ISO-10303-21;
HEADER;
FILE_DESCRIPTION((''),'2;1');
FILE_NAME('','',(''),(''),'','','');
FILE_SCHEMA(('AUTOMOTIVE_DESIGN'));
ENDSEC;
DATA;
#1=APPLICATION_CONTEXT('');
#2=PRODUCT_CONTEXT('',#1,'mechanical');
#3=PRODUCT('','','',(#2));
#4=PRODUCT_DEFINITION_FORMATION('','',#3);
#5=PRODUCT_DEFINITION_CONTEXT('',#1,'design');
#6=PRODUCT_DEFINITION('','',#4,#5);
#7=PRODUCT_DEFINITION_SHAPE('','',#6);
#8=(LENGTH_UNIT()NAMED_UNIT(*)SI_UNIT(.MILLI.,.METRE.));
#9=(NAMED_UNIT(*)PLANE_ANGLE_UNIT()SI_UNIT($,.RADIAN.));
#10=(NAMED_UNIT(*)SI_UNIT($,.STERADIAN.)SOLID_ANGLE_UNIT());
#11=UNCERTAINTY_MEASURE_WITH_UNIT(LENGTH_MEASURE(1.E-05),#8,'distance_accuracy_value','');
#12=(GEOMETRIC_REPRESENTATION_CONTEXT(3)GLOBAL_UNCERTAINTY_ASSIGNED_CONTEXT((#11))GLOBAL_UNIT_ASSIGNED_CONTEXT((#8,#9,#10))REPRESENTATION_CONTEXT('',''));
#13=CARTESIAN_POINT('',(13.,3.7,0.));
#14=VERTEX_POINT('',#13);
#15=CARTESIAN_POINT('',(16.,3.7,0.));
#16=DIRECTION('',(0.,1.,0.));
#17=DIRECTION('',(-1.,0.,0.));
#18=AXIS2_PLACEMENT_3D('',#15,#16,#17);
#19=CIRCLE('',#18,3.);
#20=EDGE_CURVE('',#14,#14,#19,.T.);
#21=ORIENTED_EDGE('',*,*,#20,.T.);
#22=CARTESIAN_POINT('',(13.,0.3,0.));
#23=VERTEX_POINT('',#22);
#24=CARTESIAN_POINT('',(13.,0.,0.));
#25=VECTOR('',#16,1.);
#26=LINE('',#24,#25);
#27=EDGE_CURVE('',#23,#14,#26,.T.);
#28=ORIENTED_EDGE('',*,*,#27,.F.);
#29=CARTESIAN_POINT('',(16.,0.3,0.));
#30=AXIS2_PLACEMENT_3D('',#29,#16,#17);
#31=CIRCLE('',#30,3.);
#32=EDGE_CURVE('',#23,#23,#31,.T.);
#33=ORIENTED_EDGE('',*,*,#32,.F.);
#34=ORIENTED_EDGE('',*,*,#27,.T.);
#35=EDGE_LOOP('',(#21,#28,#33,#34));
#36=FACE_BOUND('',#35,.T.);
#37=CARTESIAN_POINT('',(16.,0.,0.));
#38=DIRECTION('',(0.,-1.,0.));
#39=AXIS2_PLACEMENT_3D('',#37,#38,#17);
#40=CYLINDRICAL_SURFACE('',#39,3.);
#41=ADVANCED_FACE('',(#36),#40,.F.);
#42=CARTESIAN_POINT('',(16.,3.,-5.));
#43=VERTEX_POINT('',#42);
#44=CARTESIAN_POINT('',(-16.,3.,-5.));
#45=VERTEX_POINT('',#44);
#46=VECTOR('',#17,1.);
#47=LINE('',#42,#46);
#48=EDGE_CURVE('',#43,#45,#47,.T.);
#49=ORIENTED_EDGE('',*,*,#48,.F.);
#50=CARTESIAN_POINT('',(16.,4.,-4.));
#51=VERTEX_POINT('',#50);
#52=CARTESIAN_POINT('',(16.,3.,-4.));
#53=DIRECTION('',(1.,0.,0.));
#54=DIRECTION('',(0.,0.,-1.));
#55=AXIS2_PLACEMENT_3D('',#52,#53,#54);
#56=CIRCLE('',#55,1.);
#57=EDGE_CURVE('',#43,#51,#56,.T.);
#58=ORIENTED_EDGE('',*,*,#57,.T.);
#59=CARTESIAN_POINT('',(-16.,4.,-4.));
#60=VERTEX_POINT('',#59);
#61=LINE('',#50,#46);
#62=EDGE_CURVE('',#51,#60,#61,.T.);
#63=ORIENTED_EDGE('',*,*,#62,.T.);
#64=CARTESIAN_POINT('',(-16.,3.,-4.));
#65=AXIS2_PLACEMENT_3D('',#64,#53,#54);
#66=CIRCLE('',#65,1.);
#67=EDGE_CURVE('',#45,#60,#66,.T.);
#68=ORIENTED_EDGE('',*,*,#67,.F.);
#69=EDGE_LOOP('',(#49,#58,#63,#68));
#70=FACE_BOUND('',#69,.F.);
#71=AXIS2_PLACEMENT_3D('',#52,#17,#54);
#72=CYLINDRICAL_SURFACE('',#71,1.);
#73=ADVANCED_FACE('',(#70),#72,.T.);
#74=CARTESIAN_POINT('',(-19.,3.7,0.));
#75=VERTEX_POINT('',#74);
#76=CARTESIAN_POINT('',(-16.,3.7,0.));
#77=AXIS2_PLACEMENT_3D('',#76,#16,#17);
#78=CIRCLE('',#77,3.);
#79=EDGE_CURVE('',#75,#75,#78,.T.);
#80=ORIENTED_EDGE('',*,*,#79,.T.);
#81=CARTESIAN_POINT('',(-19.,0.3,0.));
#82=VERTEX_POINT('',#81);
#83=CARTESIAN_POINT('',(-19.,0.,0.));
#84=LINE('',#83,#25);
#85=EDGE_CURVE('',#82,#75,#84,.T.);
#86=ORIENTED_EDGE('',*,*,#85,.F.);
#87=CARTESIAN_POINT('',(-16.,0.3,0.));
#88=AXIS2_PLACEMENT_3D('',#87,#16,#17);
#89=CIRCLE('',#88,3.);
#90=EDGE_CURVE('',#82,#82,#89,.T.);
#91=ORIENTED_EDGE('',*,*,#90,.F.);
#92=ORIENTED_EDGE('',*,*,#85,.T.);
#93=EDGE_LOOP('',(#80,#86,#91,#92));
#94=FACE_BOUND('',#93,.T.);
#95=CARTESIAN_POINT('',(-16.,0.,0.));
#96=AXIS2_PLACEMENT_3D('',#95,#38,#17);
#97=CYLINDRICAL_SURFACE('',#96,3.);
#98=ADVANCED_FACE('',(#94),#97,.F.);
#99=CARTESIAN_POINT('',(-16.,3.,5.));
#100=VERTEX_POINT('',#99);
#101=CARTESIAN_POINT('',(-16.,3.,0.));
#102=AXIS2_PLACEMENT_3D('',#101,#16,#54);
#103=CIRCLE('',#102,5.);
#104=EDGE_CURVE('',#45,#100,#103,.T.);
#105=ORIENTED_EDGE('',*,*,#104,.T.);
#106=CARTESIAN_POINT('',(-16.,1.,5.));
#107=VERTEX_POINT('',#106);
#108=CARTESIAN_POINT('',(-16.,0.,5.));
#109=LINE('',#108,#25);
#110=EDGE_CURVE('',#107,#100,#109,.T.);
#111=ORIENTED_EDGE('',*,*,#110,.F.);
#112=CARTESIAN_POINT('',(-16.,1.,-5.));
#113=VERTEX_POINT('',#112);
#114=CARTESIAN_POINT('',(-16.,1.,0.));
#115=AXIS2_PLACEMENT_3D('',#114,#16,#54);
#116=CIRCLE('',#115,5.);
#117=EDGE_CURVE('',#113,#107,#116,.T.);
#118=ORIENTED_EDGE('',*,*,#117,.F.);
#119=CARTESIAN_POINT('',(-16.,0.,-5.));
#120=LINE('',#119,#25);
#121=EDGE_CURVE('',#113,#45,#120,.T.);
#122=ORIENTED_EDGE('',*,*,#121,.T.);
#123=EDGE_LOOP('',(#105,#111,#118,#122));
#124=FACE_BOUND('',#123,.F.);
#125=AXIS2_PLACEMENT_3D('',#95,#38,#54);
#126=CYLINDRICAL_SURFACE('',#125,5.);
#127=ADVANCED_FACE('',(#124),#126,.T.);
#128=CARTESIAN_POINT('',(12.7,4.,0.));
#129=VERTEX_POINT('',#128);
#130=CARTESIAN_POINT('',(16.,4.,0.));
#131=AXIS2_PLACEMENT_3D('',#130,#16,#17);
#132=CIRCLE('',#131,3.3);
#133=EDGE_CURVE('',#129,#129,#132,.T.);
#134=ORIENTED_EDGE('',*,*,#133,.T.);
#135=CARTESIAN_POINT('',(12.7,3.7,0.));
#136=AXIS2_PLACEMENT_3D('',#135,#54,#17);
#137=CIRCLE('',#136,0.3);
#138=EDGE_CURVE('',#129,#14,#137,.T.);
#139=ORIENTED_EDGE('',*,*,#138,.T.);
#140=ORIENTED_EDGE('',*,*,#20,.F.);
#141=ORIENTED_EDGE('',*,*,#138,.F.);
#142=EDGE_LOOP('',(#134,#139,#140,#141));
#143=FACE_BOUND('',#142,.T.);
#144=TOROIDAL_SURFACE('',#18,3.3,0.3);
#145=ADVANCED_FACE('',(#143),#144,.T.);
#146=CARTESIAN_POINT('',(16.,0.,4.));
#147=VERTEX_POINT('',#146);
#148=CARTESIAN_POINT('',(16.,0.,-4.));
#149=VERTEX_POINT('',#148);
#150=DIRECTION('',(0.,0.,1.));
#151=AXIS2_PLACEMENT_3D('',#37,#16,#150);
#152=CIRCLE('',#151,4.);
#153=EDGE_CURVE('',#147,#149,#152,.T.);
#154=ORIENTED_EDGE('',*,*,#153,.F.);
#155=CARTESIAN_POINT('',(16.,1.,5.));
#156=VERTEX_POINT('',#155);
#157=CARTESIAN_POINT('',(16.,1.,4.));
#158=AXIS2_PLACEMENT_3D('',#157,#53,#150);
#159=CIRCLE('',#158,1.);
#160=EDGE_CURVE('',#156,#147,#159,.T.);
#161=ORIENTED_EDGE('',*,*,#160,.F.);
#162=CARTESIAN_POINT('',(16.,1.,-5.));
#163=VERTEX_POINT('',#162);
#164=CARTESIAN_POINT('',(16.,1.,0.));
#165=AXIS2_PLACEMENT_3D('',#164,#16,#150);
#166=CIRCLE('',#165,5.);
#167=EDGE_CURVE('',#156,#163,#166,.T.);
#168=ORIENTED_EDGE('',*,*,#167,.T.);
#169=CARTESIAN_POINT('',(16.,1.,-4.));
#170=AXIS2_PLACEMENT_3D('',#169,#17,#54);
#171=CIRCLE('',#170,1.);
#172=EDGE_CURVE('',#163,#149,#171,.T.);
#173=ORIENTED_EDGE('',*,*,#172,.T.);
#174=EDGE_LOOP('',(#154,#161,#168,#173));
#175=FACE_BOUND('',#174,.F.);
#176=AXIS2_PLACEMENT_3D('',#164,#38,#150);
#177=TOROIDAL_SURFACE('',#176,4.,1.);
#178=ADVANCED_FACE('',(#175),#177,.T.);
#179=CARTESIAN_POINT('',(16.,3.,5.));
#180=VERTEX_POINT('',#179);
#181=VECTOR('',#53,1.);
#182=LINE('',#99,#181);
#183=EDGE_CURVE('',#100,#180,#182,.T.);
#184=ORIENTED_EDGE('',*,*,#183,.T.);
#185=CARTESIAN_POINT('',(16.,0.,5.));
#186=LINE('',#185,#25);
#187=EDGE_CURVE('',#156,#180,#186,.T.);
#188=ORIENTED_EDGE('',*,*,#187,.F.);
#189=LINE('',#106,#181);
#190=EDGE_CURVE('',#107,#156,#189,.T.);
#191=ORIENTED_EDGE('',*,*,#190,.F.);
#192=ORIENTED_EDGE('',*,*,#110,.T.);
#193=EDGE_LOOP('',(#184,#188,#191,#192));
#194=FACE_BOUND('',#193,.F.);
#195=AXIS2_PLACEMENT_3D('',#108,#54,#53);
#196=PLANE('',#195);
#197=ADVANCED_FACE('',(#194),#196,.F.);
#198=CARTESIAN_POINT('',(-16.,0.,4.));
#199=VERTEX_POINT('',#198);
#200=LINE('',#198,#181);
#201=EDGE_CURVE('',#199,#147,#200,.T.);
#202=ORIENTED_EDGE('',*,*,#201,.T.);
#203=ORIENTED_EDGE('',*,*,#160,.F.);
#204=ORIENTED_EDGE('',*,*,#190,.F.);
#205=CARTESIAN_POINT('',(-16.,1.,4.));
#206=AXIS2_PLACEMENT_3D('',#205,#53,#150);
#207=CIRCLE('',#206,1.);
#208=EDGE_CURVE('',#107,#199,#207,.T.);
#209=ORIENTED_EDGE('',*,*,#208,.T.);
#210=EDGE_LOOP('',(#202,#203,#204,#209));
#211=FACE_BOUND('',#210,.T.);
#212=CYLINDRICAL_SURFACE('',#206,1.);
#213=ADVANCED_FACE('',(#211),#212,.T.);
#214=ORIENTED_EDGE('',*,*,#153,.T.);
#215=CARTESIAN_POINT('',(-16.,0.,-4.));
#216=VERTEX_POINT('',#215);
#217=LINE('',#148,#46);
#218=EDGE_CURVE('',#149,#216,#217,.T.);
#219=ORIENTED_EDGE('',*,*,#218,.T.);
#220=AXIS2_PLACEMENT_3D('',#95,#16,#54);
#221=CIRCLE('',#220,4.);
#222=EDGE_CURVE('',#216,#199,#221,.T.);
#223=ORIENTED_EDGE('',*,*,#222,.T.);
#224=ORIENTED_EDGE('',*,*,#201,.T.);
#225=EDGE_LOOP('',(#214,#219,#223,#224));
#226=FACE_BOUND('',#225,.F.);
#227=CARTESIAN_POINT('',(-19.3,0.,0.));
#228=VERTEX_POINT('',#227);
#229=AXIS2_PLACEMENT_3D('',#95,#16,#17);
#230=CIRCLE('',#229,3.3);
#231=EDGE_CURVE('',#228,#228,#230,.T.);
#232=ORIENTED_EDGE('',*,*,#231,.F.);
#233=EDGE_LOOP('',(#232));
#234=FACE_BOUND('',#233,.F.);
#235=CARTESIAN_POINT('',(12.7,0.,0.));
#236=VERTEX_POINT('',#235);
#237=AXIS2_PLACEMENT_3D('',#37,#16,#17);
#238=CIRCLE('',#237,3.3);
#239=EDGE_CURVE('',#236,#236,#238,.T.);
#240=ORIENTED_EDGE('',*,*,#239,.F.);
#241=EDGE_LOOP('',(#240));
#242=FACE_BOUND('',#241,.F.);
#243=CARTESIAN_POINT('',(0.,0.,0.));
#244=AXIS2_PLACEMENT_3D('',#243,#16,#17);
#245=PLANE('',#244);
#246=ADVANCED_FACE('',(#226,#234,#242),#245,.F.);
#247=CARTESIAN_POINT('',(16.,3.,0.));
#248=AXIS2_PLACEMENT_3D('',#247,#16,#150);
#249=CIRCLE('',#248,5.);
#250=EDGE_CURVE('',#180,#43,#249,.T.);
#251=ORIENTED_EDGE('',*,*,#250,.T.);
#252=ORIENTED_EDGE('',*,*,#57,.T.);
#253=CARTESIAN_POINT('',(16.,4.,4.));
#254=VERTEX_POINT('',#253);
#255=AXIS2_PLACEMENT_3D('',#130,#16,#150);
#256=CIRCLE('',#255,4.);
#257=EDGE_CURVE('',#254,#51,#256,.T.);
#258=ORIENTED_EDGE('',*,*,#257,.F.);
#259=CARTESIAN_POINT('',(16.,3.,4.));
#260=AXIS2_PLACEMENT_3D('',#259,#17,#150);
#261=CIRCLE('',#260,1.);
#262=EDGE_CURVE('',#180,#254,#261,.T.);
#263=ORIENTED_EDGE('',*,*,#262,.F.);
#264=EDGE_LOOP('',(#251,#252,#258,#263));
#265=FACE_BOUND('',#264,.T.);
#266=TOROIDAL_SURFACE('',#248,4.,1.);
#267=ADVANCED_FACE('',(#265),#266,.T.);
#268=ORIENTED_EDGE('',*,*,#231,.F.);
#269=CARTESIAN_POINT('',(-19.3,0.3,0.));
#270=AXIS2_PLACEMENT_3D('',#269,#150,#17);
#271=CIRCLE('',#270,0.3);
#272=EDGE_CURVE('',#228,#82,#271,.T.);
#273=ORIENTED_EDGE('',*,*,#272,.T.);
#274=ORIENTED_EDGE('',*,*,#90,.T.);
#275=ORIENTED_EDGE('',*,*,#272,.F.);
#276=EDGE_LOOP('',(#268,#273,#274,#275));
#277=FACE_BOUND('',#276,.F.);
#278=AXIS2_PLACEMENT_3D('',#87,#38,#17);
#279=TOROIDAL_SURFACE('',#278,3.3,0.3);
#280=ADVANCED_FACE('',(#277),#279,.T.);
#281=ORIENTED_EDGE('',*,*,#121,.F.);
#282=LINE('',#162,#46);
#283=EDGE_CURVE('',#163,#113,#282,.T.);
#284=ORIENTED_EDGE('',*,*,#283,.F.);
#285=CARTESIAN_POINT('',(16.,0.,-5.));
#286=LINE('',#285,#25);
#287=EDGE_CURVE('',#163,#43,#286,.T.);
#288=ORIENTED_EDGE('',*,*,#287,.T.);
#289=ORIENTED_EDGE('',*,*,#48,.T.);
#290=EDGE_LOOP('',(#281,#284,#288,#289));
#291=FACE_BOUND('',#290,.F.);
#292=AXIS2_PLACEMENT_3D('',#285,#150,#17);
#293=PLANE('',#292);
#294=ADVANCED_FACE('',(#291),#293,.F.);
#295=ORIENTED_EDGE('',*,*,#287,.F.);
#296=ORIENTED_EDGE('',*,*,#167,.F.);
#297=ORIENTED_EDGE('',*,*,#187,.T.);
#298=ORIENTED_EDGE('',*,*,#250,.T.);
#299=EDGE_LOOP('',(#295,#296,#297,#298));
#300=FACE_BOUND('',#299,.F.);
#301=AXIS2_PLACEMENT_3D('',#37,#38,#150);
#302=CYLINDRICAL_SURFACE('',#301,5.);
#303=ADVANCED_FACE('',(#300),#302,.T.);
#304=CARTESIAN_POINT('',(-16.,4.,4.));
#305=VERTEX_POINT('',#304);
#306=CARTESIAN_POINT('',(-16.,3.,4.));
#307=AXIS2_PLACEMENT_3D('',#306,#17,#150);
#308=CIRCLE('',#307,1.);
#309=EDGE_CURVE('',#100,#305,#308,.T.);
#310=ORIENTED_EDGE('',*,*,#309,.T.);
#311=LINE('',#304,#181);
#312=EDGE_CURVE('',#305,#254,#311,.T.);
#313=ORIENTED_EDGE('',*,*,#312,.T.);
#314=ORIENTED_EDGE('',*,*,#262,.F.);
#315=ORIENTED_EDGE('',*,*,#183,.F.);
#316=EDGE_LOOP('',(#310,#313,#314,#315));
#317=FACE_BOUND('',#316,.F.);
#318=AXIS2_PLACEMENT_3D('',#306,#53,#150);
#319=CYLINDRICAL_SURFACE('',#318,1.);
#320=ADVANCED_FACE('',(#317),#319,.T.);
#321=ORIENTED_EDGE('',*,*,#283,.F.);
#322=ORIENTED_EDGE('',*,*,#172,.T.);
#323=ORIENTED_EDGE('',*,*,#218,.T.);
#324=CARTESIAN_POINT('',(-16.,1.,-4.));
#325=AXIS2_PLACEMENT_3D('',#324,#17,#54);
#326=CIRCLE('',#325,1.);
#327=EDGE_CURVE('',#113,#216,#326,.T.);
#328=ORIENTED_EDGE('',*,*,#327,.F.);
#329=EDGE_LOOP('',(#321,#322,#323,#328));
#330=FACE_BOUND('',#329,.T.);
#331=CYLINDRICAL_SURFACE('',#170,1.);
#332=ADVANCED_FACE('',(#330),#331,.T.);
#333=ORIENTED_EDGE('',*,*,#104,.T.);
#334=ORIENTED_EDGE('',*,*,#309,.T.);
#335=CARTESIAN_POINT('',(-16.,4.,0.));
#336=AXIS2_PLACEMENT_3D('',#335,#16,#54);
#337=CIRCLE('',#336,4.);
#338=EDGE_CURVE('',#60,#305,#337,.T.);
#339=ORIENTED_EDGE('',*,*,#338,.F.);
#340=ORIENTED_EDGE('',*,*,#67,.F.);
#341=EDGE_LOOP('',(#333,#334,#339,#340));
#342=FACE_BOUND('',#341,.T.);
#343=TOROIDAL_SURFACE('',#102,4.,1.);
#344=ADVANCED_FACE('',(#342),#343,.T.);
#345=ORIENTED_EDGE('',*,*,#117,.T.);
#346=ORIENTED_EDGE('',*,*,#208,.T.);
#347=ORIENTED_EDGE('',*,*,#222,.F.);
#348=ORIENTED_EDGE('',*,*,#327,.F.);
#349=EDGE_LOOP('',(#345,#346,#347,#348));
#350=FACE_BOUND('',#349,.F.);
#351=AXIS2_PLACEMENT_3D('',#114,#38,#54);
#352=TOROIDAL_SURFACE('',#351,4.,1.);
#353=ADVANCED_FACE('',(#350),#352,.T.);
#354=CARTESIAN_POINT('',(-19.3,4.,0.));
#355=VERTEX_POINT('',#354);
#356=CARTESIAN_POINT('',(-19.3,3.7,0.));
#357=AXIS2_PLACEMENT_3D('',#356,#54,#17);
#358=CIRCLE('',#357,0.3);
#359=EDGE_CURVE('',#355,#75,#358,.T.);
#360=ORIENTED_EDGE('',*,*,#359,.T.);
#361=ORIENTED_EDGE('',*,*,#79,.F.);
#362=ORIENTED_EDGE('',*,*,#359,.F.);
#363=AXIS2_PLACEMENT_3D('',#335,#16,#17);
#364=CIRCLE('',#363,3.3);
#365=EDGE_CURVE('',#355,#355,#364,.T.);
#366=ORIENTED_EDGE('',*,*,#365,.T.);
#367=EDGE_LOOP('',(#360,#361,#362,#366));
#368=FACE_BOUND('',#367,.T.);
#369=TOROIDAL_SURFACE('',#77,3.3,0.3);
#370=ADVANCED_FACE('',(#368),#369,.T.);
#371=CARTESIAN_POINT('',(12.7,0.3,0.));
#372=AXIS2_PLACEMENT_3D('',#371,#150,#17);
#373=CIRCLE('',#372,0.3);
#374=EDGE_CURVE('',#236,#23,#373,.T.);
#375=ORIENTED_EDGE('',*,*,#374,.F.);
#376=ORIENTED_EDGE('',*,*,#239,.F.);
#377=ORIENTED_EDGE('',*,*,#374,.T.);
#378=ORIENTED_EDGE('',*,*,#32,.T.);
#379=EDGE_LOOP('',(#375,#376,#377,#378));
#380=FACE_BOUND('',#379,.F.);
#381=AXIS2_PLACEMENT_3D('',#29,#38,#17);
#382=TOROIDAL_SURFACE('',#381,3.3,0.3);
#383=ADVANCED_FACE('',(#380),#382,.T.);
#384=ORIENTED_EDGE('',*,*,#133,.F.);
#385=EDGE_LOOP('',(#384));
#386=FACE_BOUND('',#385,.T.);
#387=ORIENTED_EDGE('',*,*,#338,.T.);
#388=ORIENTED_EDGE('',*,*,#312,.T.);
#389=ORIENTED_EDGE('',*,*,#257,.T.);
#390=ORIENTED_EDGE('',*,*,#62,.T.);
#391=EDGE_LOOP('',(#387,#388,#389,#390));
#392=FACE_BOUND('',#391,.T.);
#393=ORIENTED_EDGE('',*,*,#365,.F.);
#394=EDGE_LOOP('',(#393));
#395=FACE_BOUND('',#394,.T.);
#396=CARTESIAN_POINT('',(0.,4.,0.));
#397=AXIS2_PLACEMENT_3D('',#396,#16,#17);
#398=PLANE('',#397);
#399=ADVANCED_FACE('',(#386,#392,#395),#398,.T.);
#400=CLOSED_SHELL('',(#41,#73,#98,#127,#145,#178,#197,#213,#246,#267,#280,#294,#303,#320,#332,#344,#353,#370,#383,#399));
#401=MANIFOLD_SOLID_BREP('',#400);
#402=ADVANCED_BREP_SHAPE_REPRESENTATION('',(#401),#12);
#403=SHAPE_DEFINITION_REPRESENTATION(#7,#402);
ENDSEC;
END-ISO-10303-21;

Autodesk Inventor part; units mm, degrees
ref_plane "YZ Plane" through (0, 0, 0) normal (1, 0, 0) x (0, 1, 0)
ref_plane "XY Plane" through (0, 0, 0) normal (0, 0, 1) x (1, 0, 0)
sketch "Эскиз1" plane through (0, 0, 0) normal (0, 1, 0) x (-1, 0, 0)
  line L0 (16, 0) -> (-16, 0) construction
  line L1 (16, 5) -> (-16, 5)
  line L2 (-16, -5) -> (16, -5)
  arc A0 (16, -5) -> (16, 5) centre (16, 0) ccw
  arc A1 (-16, 5) -> (-16, -5) centre (-16, 0) ccw
  circle A2 centre (16, 0) radius 3
  circle A3 centre (-16, 0) radius 3
  point P0 (0, 0)
  point P1 (0, 0)
  dimension "d0" = 32
  dimension "d1" = 10
  dimension "d2" = 6
extrude "Выдавливание1" add sketch "Эскиз1" along normal blind 4
fillet "Сопряжение1" radius 1 8 edges at (21, 4, 0) (0, 4, -5) (-21, 4, 0) (0, 4, 5) (21, 0, 0) (0, 0, -5) (-21, 0, 0) (0, 0, 5)
fillet "Сопряжение2" radius 0.3 4 edges at (-13, 0, 0) (-13, 4, 0) (19, 0, 0) (19, 4, 0)
properties part number "рычаг-1"
